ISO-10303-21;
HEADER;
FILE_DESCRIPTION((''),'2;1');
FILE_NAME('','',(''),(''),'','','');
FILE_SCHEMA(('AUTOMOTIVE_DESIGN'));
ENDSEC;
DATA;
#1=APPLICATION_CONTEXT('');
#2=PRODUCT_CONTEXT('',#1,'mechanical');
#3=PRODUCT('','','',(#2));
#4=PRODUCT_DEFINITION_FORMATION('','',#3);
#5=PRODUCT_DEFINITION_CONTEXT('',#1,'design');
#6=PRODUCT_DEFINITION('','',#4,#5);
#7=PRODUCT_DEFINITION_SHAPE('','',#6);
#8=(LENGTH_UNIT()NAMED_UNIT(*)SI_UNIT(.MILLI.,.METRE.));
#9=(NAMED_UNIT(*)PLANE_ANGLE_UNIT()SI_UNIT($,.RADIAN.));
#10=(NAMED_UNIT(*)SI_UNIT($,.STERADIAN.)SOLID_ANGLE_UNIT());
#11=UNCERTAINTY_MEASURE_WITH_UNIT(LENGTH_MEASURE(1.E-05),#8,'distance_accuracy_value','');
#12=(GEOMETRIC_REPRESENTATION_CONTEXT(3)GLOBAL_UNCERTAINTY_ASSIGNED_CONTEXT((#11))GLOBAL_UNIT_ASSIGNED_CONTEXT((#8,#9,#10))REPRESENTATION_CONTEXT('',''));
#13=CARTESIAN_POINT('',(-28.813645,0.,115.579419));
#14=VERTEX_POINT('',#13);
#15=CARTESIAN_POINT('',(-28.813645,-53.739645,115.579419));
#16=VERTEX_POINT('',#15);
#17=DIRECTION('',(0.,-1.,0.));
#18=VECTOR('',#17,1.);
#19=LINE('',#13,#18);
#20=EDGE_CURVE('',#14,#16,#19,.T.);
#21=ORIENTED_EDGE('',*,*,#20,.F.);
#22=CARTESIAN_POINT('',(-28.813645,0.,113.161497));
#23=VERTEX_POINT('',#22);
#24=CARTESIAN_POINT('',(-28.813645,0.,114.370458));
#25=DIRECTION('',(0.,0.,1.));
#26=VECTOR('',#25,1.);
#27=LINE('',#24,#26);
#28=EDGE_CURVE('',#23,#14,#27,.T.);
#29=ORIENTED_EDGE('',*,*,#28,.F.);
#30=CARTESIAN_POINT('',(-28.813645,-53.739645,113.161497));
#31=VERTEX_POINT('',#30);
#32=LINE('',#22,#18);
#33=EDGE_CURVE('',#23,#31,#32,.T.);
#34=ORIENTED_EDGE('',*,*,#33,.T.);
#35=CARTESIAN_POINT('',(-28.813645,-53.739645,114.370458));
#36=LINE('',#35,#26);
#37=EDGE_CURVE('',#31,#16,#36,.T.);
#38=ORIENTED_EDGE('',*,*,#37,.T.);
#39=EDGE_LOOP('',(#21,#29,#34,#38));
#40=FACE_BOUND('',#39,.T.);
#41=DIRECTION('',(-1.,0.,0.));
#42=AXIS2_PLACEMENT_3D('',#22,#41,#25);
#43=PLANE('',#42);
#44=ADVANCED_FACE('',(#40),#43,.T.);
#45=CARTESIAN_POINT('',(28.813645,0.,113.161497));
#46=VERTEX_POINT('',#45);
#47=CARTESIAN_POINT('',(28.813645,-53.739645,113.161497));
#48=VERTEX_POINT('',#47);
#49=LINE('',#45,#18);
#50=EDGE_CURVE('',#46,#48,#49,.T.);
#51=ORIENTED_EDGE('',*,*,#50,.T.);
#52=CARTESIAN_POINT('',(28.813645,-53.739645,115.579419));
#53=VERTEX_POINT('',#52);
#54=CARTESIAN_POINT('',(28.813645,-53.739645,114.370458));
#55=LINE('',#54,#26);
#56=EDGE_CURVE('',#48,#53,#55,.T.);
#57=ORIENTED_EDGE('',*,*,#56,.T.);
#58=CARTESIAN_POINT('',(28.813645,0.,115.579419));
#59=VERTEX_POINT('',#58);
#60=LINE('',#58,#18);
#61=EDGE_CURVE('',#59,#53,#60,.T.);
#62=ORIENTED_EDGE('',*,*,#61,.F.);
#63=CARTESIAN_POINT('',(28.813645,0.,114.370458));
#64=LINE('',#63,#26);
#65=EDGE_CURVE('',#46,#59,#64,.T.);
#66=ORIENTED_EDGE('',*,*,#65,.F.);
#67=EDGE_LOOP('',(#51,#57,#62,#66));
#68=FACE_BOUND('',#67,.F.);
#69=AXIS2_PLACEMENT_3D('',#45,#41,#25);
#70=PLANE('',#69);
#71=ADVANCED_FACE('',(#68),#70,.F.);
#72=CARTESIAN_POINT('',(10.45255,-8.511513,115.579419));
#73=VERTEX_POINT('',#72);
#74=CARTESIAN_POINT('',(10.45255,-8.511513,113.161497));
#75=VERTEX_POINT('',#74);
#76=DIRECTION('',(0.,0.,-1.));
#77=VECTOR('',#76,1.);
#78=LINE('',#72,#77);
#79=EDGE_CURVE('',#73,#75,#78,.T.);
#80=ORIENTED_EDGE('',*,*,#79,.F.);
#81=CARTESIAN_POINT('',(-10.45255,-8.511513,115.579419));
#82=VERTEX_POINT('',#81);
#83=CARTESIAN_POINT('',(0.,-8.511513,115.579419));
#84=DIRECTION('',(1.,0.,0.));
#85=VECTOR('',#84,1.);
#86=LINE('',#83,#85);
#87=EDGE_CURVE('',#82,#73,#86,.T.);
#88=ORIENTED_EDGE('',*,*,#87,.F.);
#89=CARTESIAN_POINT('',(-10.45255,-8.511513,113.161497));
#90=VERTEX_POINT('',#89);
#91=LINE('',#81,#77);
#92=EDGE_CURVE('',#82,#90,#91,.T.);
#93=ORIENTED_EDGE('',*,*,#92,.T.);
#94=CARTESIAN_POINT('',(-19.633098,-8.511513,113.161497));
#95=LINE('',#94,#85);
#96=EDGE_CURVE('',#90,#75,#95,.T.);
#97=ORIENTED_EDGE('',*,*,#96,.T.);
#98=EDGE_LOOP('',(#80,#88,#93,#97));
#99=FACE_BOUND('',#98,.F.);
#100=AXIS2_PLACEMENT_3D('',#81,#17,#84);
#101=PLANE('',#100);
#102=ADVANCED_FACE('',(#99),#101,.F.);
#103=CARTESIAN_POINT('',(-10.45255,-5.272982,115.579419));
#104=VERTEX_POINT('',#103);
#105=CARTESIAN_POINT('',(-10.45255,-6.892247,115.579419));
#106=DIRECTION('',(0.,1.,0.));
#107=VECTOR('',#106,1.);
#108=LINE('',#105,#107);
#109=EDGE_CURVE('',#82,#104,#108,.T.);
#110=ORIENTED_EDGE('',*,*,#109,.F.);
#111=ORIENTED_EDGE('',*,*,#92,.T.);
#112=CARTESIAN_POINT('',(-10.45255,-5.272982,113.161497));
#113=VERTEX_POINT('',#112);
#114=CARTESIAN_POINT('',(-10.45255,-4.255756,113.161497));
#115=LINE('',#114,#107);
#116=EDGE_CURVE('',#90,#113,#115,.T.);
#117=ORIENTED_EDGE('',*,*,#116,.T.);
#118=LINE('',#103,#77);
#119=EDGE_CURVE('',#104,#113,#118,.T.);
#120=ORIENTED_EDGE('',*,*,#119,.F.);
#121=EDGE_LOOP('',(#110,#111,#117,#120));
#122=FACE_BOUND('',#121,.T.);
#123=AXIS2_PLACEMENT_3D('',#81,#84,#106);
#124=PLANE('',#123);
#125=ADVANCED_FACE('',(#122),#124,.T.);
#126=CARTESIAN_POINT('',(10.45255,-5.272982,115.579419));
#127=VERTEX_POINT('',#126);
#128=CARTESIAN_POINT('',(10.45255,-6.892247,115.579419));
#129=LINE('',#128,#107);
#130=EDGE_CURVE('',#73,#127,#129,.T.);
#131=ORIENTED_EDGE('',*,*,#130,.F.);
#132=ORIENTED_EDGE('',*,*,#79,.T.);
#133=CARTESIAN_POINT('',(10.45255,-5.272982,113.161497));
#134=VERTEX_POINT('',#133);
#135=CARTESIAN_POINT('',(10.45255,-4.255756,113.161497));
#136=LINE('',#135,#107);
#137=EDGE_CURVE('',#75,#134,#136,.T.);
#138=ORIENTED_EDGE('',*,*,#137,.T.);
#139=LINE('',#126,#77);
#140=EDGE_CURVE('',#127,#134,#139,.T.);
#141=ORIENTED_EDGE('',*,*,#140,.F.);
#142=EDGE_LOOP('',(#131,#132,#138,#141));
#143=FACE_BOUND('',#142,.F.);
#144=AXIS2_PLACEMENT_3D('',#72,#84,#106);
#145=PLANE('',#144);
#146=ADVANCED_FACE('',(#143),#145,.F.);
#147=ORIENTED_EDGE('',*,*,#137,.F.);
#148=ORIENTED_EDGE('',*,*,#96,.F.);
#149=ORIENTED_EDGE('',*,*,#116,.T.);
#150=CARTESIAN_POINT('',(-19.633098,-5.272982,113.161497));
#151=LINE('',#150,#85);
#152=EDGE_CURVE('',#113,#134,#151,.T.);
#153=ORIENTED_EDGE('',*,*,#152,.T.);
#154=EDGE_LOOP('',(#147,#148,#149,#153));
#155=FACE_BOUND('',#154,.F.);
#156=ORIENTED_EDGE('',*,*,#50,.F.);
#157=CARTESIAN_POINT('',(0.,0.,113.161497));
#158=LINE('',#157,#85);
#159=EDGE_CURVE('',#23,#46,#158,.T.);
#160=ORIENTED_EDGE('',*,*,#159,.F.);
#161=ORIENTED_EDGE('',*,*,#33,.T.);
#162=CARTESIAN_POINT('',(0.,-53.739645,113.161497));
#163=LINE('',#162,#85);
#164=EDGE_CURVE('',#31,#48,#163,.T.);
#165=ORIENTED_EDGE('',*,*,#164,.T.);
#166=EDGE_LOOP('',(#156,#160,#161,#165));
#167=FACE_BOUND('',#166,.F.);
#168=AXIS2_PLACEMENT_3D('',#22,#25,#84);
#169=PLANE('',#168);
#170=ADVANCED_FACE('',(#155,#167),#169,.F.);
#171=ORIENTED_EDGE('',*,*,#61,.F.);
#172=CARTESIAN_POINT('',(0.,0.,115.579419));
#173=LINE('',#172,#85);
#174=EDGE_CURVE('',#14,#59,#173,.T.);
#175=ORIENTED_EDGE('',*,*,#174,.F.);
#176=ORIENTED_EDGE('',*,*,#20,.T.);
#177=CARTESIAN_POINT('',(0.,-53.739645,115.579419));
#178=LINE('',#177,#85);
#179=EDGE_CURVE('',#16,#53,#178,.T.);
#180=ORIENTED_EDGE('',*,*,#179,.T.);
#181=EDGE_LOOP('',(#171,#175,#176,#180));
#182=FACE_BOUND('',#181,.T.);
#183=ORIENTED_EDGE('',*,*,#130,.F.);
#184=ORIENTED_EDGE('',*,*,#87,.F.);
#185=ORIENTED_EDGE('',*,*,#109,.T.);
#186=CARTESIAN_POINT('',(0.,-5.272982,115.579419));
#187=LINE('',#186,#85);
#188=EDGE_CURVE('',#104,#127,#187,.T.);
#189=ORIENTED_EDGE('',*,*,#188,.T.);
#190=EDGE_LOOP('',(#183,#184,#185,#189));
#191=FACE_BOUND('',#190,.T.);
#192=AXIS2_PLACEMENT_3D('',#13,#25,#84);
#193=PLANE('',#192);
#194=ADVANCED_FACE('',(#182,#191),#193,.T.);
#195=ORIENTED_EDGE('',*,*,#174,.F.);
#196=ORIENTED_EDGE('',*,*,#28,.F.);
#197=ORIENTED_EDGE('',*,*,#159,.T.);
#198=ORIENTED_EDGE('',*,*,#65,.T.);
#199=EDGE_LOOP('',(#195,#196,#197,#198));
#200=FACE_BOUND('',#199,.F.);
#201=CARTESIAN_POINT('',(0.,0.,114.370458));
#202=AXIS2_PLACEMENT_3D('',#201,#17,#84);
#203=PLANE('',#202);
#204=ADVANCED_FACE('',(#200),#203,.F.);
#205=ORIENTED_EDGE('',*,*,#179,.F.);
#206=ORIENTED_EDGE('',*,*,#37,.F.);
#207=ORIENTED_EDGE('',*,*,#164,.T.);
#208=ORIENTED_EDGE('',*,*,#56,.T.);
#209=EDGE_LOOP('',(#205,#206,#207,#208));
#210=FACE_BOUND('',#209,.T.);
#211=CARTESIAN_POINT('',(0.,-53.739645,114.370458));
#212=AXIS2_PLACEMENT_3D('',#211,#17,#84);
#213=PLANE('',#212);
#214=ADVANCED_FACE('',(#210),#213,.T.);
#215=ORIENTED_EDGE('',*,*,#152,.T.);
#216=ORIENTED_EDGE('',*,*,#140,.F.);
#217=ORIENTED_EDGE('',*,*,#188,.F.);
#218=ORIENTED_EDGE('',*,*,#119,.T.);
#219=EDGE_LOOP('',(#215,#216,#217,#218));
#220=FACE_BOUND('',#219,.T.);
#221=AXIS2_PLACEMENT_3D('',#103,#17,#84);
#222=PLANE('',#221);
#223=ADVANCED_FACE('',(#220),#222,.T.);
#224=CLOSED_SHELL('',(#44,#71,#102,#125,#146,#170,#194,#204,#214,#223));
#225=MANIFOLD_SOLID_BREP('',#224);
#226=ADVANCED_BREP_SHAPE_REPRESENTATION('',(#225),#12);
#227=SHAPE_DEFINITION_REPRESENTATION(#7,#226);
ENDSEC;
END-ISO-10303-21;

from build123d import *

# Parameters (mm, degrees)
F1_W     = 57.62729
F1_H     = 2.417922
F2_DEPTH = 53.739645
F3_W     = 20.9051
F3_H     = 3.238531
F4_DEPTH = 25
F5_W     = 39.400994
F5_H     = 8.231058
F6_DEPTH = 25


with BuildPart() as f2:
    # F1 (on face) → F2 (new body)
    with BuildSketch(Plane.XZ):
        with Locations((0, 114.370458)):
            Rectangle(F1_W, F1_H)
    extrude(amount=F2_DEPTH)

    # F3 (on face) → F4 (cut)
    with BuildSketch(Plane.XY.offset(115.579419)):
        with Locations((0, -6.892247)):
            Rectangle(F3_W, F3_H)
    extrude(amount=-F4_DEPTH, mode=Mode.SUBTRACT)

    # F5 (on face) → F6 (cut)
    with BuildSketch(Plane.XZ):
        with Locations((0, -5.288288)):
            Rectangle(F5_W, F5_H)
    extrude(amount=F6_DEPTH, mode=Mode.SUBTRACT)


solid = f2.part
